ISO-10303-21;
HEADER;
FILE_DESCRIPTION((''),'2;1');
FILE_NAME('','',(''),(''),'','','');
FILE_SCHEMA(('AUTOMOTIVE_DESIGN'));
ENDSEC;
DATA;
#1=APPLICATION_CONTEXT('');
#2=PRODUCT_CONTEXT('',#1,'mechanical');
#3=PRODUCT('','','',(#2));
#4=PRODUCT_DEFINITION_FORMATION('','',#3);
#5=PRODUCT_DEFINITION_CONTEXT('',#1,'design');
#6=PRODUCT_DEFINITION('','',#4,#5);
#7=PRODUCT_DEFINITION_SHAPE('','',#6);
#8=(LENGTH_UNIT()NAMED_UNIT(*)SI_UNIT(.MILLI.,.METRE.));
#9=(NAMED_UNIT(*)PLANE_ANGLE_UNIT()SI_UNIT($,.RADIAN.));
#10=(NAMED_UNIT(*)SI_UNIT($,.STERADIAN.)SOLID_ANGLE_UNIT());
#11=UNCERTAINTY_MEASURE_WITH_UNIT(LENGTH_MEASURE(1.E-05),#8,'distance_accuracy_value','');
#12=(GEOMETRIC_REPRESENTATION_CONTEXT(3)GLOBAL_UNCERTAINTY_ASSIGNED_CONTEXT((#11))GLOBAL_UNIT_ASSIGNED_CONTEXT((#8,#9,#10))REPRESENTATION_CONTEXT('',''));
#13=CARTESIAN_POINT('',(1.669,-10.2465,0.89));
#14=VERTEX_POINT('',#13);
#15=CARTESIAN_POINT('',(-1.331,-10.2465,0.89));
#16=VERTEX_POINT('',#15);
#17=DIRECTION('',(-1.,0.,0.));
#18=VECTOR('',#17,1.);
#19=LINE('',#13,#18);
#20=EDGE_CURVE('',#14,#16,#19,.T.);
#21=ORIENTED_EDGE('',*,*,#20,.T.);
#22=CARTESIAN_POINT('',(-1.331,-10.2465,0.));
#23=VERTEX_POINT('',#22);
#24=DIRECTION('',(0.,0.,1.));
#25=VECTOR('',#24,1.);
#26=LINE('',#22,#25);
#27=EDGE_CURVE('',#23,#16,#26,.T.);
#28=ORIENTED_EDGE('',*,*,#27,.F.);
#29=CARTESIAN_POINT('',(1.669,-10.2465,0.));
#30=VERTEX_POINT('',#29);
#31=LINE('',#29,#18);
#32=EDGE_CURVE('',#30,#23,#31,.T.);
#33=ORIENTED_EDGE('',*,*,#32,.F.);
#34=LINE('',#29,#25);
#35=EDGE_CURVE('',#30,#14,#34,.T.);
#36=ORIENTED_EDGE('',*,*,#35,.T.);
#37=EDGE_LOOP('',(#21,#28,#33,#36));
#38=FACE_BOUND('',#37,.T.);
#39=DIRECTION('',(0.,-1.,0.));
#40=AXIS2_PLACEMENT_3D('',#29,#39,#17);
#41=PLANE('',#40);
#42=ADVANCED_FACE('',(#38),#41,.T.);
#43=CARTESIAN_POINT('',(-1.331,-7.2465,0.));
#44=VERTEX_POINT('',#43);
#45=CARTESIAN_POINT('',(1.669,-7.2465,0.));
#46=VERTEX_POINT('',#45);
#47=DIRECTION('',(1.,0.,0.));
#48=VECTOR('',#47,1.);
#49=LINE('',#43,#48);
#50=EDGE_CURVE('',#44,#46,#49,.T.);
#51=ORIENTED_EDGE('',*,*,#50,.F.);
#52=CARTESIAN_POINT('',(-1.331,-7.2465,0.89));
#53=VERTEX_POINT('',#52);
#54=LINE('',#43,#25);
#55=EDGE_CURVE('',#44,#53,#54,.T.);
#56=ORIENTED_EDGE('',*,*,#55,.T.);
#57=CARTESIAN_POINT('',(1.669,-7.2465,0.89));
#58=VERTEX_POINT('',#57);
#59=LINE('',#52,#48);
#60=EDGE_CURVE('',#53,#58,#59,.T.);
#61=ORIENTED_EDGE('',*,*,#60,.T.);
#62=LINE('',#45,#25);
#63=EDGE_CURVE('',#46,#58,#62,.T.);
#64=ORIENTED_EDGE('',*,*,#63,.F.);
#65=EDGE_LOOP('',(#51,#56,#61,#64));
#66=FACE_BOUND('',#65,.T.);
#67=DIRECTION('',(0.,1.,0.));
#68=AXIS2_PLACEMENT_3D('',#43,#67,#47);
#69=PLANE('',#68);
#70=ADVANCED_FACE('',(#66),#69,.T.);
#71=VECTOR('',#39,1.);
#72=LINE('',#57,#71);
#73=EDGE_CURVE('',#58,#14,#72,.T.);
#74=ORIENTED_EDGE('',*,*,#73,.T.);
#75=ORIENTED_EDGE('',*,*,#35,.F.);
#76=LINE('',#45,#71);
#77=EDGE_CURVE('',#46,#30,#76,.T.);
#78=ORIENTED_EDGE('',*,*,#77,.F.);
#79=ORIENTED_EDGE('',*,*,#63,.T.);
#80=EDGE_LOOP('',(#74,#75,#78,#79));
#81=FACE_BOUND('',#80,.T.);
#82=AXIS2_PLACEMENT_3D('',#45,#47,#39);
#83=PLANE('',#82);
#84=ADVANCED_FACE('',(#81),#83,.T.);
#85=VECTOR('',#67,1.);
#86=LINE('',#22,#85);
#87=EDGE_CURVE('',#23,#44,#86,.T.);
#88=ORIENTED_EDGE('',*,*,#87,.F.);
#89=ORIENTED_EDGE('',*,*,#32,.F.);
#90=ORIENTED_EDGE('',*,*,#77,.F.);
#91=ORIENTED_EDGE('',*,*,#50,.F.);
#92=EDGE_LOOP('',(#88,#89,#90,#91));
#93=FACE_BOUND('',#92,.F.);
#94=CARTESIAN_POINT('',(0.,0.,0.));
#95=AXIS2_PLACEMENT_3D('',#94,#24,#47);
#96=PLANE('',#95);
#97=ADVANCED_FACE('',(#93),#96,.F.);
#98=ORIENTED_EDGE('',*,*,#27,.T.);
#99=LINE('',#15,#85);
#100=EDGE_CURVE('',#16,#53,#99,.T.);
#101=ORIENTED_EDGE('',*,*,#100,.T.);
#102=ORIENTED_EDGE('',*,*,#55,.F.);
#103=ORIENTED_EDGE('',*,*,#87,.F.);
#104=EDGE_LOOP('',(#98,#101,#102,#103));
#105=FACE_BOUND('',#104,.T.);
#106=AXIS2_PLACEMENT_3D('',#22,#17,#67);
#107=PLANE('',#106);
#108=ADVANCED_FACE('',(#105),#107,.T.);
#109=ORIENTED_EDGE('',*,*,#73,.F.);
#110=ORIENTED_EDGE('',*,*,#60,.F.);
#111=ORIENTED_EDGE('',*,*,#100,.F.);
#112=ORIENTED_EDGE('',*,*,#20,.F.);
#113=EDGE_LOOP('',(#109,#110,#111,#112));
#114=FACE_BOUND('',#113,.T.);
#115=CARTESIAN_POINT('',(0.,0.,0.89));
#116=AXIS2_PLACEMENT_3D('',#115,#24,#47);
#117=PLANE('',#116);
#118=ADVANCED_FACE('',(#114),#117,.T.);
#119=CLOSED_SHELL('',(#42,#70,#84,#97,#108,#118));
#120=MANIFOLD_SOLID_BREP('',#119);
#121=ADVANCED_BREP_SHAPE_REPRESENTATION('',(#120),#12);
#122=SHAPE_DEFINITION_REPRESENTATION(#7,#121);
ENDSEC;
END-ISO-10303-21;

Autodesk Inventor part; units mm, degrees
ref_plane "YZ Plane" through (0, 0, 0) normal (1, 0, 0) x (0, 1, 0)
ref_plane "XZ Plane" through (0, 0, 0) normal (0, 1, 0) x (-1, 0, 0)
ref_plane "XY Plane" through (0, 0, 0) normal (0, 0, 1) x (1, 0, 0)
sketch "Sketch1" plane through (0, 0, 0) normal (0, 0, 1) x (1, 0, 0)
  line L0 (-1.331, -7.2465) -> (1.669, -7.2465)
  line L1 (1.669, -7.2465) -> (1.669, -10.2465)
  line L2 (1.669, -10.2465) -> (-1.331, -10.2465)
  line L3 (-1.331, -10.2465) -> (-1.331, -7.2465)
  point P0 (0, 0)
  dimension "d0" = 3
  dimension "d1" = 3
extrude "Extrusion1" add sketch "Sketch1" along normal blind 0.89
properties part number "FirstStageAmp"
